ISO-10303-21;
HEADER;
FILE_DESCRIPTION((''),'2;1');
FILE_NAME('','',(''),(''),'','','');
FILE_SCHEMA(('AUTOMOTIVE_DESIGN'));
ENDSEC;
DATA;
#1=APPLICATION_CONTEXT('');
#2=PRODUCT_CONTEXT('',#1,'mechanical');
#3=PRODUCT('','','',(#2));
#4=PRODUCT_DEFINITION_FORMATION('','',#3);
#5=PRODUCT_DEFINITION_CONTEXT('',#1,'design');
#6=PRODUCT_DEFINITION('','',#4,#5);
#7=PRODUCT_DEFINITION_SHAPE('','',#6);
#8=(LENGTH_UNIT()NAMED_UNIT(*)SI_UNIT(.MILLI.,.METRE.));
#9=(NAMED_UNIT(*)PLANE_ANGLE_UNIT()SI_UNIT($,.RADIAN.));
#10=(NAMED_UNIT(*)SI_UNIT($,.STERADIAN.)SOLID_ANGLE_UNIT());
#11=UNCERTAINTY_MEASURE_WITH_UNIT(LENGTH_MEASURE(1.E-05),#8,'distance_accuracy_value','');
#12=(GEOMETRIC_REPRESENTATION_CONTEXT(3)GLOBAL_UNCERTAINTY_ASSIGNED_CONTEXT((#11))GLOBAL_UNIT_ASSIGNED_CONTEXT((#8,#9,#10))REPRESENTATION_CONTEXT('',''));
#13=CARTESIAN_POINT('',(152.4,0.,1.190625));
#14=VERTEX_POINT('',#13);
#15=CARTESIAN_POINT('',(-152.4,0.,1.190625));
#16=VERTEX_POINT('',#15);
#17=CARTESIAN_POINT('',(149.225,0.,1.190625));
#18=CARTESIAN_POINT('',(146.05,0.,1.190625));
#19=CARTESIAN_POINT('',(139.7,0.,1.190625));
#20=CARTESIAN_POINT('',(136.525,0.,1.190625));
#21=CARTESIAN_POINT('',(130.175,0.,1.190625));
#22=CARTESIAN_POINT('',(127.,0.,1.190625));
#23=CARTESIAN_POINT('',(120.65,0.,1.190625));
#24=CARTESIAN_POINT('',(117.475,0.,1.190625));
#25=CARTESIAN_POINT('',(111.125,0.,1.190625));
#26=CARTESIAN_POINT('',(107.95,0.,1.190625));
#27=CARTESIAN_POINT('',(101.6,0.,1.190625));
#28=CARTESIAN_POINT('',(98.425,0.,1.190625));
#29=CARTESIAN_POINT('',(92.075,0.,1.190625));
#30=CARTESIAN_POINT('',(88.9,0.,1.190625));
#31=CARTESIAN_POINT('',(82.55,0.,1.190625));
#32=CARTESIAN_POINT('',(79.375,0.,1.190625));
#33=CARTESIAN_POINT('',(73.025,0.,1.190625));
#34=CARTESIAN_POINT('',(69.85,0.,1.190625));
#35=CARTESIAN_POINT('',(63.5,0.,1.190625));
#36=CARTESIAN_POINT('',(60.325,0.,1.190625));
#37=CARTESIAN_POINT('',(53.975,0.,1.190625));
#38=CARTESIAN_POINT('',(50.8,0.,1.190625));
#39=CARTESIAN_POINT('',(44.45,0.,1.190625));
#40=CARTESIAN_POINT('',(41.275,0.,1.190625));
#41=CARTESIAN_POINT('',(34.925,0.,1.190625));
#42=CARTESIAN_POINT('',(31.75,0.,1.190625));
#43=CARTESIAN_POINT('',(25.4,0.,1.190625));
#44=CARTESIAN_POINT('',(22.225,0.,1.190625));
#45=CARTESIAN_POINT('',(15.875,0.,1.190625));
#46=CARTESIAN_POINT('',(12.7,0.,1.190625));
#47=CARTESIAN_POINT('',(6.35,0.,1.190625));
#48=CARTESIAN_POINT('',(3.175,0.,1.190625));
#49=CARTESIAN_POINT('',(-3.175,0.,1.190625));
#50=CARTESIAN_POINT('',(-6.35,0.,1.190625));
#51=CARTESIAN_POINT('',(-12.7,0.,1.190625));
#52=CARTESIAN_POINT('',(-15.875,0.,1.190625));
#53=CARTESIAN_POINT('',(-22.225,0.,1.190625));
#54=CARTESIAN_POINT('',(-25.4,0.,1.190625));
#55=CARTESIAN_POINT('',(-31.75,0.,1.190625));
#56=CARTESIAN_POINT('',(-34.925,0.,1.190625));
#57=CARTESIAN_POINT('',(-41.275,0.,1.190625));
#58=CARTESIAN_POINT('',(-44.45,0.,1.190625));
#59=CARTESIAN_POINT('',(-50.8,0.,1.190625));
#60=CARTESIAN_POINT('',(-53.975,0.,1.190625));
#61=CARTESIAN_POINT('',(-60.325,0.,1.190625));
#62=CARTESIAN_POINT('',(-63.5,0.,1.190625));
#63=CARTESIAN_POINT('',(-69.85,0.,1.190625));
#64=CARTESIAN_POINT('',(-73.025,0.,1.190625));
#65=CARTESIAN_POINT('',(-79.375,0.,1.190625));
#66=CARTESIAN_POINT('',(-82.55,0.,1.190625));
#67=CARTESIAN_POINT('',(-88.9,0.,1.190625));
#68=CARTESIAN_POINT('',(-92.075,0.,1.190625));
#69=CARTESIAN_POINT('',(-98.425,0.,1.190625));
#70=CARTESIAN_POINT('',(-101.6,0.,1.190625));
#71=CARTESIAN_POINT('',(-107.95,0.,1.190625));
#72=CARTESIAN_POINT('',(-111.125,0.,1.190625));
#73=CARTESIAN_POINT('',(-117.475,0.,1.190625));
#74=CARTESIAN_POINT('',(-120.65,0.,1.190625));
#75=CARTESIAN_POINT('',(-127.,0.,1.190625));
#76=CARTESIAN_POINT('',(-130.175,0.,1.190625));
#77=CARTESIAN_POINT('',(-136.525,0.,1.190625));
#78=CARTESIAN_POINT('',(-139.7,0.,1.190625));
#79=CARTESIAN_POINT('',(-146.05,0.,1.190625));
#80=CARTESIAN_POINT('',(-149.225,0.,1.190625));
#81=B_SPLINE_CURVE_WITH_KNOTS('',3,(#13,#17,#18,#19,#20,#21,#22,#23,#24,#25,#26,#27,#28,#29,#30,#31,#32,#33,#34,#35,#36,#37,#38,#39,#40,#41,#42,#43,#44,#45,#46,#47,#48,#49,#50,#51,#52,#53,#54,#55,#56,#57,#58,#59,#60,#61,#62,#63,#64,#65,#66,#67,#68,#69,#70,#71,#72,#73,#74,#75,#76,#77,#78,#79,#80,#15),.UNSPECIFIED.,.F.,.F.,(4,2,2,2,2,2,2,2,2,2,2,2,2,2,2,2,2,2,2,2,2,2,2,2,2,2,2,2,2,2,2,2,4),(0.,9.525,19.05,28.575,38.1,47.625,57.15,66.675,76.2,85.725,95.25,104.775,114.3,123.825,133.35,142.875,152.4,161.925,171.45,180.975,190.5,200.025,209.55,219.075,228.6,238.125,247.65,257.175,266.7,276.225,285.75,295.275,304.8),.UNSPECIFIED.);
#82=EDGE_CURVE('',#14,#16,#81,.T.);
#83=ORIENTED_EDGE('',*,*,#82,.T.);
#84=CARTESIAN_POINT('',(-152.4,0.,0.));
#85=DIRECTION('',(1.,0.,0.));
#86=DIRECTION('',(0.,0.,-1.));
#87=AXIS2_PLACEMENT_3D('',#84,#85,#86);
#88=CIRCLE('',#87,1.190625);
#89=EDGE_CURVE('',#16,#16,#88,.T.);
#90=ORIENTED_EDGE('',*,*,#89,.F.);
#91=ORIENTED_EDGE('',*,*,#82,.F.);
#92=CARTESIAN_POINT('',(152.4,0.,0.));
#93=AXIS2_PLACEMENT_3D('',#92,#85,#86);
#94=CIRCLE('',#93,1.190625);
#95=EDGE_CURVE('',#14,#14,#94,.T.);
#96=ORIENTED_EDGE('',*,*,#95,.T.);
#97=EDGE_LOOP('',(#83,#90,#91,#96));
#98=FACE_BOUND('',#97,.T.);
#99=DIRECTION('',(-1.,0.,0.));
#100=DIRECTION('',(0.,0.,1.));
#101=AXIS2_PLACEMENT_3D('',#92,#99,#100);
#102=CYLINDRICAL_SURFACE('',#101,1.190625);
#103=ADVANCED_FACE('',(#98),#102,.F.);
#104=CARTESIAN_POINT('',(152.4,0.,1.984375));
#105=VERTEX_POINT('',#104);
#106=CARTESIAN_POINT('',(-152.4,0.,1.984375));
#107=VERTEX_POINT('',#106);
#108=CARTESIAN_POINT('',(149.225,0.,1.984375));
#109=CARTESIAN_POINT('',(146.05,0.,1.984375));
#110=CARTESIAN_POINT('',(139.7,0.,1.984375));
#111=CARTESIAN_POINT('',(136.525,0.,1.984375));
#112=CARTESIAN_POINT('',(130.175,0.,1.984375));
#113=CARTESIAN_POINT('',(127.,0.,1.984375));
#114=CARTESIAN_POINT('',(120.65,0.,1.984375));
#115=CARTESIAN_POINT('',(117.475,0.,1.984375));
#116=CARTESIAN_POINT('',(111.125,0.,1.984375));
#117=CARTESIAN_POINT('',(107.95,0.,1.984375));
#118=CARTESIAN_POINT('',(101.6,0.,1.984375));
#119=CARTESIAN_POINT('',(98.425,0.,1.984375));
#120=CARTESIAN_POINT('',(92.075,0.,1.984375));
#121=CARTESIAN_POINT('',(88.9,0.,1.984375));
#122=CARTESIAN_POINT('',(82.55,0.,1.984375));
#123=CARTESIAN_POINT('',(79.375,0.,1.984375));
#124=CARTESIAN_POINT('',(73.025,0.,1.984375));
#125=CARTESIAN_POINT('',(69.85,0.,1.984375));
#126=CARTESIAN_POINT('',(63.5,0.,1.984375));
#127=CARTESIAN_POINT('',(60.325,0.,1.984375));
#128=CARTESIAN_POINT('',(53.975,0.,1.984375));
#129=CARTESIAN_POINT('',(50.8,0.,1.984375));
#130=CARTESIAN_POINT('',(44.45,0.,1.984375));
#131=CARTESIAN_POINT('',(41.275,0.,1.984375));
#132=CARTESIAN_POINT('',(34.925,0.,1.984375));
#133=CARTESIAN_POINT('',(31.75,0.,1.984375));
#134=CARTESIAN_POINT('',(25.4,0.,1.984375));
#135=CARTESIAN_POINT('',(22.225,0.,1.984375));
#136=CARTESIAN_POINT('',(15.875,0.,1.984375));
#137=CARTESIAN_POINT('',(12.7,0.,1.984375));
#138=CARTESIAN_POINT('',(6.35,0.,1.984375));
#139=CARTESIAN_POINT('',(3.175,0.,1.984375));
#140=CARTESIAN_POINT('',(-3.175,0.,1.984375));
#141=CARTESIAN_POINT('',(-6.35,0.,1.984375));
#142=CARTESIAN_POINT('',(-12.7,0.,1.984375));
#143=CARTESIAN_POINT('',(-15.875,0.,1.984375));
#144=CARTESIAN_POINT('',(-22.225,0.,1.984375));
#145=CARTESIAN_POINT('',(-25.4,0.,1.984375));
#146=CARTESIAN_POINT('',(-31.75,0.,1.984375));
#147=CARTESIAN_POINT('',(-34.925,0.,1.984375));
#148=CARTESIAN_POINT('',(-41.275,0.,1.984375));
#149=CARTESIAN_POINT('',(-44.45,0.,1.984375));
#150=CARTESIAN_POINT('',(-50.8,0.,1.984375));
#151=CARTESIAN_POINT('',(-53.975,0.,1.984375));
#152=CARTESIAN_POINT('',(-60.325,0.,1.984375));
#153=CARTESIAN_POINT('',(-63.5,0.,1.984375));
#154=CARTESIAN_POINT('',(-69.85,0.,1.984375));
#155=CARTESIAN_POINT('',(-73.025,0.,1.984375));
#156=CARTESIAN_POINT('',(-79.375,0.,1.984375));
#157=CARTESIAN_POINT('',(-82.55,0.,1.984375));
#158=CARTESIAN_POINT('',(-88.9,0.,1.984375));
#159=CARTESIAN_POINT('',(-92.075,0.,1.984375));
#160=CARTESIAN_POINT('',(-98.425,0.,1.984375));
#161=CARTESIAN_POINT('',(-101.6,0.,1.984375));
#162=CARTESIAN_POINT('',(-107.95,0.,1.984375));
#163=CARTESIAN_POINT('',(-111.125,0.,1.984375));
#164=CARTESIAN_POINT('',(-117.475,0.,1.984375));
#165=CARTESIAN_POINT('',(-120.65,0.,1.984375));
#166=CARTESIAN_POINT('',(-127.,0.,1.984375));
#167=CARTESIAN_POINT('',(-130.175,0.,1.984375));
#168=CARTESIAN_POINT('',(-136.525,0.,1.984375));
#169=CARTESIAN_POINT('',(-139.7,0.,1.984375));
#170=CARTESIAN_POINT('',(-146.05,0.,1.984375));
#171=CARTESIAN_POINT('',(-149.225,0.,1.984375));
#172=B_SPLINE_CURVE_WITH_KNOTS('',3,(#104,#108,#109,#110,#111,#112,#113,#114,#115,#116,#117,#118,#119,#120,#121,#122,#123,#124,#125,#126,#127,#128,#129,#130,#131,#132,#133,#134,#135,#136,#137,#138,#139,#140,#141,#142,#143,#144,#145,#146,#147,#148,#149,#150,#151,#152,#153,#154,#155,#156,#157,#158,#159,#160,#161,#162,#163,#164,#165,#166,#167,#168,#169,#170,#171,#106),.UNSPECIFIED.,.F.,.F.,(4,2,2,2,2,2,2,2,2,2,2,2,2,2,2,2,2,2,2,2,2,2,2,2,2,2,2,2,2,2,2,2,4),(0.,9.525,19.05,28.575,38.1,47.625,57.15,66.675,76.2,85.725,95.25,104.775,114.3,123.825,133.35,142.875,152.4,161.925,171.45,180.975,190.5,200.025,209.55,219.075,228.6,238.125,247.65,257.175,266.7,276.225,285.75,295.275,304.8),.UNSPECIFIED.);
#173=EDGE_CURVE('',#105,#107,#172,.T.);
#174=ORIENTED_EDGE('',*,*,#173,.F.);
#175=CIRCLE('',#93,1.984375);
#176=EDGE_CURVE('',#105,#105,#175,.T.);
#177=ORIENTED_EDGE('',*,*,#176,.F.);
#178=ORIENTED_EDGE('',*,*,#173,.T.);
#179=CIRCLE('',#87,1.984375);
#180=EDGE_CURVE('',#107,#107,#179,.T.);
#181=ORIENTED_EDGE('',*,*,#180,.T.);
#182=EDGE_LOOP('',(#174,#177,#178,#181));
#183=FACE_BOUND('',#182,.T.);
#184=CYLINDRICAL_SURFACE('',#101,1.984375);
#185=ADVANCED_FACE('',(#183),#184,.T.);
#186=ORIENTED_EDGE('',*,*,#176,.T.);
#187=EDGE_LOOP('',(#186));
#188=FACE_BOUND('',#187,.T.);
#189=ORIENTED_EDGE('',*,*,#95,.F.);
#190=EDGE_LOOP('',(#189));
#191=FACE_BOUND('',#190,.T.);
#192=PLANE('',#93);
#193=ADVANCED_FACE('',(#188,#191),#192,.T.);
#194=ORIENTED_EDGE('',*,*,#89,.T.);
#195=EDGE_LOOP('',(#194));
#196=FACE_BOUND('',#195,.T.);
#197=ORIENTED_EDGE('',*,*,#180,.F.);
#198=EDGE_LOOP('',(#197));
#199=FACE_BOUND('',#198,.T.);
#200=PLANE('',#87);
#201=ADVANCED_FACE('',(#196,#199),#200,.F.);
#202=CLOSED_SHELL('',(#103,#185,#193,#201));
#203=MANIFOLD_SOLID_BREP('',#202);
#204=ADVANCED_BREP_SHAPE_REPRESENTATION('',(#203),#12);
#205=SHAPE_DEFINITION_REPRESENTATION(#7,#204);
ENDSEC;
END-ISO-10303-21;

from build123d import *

# Parameters (mm, degrees)
SKETCH1_R      = 1.984375
SKETCH1_R_2    = 1.190625
EXTRUDE1_DEPTH = 152.4


with BuildPart() as part:
    # Sketch1 → Extrude1 (new, symmetric)
    with BuildSketch(Plane(origin=(0, 0, 0), x_dir=(0, 0, -1), z_dir=(1, 0, 0))):
        with Locations(Location((0, 0, 0), (0, 0, 180))):
            Circle(SKETCH1_R)
        with Locations(Location((0, 0, 0), (0, 0, 180))):
            Circle(SKETCH1_R_2, mode=Mode.SUBTRACT)
    extrude(amount=EXTRUDE1_DEPTH, both=True)


solid = part.part
